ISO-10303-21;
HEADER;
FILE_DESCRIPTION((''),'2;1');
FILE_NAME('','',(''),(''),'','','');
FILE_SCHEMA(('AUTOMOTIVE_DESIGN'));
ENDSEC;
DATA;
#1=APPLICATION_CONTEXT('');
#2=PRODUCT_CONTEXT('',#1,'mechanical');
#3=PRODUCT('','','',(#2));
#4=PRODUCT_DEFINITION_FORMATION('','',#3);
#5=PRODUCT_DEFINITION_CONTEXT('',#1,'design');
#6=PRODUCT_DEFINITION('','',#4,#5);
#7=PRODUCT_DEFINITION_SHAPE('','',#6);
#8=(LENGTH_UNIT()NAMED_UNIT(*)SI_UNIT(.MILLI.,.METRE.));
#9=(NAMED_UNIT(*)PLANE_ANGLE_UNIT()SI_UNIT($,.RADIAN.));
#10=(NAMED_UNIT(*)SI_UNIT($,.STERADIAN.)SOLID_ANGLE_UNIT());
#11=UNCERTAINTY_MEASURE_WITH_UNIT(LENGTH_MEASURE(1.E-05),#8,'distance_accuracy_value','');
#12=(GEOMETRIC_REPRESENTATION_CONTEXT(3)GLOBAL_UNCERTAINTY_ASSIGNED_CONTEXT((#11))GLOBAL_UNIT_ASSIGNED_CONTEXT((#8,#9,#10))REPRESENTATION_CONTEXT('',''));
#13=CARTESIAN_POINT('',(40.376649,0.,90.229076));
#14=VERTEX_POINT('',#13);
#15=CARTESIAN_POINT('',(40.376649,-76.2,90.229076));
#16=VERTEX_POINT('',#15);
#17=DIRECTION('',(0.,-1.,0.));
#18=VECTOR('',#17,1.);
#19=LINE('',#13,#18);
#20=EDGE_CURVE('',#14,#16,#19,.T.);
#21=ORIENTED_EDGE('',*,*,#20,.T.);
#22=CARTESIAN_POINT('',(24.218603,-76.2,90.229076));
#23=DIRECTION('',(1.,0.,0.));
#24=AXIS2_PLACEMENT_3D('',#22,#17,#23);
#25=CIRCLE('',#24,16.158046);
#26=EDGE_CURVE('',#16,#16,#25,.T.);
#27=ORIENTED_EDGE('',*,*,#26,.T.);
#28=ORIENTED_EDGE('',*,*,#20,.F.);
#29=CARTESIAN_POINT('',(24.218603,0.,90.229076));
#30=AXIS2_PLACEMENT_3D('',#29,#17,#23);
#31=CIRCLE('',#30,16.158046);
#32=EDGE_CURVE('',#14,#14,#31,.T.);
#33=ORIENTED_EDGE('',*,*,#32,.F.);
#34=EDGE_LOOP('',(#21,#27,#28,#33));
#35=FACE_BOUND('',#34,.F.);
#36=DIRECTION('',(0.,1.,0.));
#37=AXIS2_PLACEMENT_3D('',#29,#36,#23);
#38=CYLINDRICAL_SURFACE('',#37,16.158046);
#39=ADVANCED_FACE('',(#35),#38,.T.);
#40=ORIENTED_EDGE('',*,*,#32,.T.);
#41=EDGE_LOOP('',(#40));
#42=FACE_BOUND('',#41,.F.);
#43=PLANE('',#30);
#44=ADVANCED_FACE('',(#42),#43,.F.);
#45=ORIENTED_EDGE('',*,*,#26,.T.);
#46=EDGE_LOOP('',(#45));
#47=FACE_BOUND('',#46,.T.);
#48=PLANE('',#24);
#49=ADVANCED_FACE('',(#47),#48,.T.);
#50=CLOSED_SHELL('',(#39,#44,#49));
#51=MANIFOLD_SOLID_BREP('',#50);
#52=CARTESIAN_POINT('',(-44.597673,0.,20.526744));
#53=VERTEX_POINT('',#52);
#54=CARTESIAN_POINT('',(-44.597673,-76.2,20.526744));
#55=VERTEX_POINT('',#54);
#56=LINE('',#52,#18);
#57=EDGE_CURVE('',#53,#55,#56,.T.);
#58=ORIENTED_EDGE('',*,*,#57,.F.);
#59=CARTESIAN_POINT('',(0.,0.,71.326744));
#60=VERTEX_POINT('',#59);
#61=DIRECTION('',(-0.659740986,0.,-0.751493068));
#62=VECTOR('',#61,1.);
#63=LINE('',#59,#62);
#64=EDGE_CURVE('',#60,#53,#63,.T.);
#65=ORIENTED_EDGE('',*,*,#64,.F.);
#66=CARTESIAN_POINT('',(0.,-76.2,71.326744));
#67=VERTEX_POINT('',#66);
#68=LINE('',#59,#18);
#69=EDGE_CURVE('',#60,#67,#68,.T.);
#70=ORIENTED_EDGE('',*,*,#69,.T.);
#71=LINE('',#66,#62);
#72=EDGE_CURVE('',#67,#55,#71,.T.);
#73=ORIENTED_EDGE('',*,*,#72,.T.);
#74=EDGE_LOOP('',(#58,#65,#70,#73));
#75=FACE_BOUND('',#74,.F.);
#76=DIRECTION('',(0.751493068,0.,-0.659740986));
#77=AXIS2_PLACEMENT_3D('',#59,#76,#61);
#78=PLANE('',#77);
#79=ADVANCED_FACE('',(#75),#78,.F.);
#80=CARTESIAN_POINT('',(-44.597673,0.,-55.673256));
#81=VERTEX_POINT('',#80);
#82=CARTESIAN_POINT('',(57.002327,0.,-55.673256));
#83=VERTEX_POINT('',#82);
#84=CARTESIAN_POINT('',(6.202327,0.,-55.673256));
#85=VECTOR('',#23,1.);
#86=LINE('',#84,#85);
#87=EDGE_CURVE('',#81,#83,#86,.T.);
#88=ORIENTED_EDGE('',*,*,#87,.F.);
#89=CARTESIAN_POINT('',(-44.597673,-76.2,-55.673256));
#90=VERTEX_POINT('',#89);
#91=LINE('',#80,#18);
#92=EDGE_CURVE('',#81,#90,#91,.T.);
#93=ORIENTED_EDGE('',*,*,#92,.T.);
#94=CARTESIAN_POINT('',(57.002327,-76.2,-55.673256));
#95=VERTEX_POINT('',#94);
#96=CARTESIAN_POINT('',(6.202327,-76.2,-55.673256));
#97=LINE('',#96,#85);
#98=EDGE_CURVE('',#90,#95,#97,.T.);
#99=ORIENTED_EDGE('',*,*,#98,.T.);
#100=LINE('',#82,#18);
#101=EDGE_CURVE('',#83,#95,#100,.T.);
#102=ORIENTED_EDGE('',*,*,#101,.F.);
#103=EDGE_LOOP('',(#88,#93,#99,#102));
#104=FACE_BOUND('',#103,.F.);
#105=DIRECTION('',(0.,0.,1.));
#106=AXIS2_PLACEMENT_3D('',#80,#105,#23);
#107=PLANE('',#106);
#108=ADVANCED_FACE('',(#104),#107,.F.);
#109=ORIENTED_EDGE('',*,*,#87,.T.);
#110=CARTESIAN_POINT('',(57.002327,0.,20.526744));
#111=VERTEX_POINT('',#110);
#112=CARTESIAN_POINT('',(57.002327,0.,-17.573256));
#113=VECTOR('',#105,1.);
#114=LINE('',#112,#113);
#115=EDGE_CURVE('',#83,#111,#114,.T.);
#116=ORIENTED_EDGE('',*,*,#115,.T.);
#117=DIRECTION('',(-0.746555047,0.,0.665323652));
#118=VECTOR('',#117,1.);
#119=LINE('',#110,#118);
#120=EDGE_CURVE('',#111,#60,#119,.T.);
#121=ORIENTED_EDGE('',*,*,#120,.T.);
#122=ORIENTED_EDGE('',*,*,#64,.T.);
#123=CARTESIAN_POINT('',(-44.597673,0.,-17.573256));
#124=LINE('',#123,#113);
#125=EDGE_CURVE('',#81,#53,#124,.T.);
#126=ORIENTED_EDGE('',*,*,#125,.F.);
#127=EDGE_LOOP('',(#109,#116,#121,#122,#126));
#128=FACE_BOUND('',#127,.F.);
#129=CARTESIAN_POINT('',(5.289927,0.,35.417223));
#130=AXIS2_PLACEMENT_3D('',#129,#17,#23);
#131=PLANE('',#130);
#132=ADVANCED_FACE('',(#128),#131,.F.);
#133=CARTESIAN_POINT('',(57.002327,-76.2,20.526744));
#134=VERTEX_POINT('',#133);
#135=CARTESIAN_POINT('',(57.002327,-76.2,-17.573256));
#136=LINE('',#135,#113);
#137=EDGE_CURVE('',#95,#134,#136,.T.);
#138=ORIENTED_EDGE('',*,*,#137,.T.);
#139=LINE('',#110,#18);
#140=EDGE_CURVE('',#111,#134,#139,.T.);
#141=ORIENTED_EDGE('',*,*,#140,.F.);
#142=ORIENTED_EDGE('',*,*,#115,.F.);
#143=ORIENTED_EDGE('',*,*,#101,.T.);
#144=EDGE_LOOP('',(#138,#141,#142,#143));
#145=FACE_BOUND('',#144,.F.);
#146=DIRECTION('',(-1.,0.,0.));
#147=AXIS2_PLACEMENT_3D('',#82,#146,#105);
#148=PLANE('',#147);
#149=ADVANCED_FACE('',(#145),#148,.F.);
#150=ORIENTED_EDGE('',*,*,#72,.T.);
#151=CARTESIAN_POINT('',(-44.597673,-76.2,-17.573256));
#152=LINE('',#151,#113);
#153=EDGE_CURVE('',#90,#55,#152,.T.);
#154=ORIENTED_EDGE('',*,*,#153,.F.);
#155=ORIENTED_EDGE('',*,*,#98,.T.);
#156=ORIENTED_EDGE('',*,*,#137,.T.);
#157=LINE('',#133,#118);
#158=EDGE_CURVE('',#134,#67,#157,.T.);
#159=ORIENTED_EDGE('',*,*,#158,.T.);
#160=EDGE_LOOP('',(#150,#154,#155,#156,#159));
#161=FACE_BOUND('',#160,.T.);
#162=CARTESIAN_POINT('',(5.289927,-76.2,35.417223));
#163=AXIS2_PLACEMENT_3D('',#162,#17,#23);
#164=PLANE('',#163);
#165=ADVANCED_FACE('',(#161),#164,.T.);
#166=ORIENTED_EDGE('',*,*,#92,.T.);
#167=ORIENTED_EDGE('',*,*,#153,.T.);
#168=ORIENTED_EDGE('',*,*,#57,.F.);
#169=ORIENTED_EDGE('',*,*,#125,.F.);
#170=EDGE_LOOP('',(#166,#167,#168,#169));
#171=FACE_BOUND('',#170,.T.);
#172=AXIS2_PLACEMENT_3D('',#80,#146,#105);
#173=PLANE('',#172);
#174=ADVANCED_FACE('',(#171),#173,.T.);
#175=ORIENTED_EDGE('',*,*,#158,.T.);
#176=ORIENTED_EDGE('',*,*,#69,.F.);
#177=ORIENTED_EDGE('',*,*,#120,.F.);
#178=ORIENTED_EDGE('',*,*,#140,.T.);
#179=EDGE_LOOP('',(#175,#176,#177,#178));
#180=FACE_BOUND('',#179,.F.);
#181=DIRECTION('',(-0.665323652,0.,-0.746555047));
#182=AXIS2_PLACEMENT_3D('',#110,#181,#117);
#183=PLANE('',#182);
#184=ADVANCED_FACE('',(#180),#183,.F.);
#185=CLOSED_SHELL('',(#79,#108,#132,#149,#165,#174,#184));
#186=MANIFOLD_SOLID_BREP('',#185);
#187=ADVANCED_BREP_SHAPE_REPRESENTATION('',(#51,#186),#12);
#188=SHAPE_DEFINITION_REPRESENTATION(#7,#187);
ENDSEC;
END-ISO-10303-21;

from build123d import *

# Parameters (mm, degrees)
F0_W     = 101.6
F0_H     = 76.2
F0_R     = 16.158046
F1_DEPTH = 76.2


with BuildPart() as f1:
    # F0 (on Front) → F1 (new body)
    with BuildSketch(Plane.XZ):
        Polygon((0, 71.326744), (-44.597673, 20.526744), (57.002327, 20.526744), align=None)
        with Locations((6.202327, -17.573256)):
            Rectangle(F0_W, F0_H)
        with Locations((24.218603, 90.229076)):
            Circle(F0_R)
    extrude(amount=F1_DEPTH)


solid = f1.part
